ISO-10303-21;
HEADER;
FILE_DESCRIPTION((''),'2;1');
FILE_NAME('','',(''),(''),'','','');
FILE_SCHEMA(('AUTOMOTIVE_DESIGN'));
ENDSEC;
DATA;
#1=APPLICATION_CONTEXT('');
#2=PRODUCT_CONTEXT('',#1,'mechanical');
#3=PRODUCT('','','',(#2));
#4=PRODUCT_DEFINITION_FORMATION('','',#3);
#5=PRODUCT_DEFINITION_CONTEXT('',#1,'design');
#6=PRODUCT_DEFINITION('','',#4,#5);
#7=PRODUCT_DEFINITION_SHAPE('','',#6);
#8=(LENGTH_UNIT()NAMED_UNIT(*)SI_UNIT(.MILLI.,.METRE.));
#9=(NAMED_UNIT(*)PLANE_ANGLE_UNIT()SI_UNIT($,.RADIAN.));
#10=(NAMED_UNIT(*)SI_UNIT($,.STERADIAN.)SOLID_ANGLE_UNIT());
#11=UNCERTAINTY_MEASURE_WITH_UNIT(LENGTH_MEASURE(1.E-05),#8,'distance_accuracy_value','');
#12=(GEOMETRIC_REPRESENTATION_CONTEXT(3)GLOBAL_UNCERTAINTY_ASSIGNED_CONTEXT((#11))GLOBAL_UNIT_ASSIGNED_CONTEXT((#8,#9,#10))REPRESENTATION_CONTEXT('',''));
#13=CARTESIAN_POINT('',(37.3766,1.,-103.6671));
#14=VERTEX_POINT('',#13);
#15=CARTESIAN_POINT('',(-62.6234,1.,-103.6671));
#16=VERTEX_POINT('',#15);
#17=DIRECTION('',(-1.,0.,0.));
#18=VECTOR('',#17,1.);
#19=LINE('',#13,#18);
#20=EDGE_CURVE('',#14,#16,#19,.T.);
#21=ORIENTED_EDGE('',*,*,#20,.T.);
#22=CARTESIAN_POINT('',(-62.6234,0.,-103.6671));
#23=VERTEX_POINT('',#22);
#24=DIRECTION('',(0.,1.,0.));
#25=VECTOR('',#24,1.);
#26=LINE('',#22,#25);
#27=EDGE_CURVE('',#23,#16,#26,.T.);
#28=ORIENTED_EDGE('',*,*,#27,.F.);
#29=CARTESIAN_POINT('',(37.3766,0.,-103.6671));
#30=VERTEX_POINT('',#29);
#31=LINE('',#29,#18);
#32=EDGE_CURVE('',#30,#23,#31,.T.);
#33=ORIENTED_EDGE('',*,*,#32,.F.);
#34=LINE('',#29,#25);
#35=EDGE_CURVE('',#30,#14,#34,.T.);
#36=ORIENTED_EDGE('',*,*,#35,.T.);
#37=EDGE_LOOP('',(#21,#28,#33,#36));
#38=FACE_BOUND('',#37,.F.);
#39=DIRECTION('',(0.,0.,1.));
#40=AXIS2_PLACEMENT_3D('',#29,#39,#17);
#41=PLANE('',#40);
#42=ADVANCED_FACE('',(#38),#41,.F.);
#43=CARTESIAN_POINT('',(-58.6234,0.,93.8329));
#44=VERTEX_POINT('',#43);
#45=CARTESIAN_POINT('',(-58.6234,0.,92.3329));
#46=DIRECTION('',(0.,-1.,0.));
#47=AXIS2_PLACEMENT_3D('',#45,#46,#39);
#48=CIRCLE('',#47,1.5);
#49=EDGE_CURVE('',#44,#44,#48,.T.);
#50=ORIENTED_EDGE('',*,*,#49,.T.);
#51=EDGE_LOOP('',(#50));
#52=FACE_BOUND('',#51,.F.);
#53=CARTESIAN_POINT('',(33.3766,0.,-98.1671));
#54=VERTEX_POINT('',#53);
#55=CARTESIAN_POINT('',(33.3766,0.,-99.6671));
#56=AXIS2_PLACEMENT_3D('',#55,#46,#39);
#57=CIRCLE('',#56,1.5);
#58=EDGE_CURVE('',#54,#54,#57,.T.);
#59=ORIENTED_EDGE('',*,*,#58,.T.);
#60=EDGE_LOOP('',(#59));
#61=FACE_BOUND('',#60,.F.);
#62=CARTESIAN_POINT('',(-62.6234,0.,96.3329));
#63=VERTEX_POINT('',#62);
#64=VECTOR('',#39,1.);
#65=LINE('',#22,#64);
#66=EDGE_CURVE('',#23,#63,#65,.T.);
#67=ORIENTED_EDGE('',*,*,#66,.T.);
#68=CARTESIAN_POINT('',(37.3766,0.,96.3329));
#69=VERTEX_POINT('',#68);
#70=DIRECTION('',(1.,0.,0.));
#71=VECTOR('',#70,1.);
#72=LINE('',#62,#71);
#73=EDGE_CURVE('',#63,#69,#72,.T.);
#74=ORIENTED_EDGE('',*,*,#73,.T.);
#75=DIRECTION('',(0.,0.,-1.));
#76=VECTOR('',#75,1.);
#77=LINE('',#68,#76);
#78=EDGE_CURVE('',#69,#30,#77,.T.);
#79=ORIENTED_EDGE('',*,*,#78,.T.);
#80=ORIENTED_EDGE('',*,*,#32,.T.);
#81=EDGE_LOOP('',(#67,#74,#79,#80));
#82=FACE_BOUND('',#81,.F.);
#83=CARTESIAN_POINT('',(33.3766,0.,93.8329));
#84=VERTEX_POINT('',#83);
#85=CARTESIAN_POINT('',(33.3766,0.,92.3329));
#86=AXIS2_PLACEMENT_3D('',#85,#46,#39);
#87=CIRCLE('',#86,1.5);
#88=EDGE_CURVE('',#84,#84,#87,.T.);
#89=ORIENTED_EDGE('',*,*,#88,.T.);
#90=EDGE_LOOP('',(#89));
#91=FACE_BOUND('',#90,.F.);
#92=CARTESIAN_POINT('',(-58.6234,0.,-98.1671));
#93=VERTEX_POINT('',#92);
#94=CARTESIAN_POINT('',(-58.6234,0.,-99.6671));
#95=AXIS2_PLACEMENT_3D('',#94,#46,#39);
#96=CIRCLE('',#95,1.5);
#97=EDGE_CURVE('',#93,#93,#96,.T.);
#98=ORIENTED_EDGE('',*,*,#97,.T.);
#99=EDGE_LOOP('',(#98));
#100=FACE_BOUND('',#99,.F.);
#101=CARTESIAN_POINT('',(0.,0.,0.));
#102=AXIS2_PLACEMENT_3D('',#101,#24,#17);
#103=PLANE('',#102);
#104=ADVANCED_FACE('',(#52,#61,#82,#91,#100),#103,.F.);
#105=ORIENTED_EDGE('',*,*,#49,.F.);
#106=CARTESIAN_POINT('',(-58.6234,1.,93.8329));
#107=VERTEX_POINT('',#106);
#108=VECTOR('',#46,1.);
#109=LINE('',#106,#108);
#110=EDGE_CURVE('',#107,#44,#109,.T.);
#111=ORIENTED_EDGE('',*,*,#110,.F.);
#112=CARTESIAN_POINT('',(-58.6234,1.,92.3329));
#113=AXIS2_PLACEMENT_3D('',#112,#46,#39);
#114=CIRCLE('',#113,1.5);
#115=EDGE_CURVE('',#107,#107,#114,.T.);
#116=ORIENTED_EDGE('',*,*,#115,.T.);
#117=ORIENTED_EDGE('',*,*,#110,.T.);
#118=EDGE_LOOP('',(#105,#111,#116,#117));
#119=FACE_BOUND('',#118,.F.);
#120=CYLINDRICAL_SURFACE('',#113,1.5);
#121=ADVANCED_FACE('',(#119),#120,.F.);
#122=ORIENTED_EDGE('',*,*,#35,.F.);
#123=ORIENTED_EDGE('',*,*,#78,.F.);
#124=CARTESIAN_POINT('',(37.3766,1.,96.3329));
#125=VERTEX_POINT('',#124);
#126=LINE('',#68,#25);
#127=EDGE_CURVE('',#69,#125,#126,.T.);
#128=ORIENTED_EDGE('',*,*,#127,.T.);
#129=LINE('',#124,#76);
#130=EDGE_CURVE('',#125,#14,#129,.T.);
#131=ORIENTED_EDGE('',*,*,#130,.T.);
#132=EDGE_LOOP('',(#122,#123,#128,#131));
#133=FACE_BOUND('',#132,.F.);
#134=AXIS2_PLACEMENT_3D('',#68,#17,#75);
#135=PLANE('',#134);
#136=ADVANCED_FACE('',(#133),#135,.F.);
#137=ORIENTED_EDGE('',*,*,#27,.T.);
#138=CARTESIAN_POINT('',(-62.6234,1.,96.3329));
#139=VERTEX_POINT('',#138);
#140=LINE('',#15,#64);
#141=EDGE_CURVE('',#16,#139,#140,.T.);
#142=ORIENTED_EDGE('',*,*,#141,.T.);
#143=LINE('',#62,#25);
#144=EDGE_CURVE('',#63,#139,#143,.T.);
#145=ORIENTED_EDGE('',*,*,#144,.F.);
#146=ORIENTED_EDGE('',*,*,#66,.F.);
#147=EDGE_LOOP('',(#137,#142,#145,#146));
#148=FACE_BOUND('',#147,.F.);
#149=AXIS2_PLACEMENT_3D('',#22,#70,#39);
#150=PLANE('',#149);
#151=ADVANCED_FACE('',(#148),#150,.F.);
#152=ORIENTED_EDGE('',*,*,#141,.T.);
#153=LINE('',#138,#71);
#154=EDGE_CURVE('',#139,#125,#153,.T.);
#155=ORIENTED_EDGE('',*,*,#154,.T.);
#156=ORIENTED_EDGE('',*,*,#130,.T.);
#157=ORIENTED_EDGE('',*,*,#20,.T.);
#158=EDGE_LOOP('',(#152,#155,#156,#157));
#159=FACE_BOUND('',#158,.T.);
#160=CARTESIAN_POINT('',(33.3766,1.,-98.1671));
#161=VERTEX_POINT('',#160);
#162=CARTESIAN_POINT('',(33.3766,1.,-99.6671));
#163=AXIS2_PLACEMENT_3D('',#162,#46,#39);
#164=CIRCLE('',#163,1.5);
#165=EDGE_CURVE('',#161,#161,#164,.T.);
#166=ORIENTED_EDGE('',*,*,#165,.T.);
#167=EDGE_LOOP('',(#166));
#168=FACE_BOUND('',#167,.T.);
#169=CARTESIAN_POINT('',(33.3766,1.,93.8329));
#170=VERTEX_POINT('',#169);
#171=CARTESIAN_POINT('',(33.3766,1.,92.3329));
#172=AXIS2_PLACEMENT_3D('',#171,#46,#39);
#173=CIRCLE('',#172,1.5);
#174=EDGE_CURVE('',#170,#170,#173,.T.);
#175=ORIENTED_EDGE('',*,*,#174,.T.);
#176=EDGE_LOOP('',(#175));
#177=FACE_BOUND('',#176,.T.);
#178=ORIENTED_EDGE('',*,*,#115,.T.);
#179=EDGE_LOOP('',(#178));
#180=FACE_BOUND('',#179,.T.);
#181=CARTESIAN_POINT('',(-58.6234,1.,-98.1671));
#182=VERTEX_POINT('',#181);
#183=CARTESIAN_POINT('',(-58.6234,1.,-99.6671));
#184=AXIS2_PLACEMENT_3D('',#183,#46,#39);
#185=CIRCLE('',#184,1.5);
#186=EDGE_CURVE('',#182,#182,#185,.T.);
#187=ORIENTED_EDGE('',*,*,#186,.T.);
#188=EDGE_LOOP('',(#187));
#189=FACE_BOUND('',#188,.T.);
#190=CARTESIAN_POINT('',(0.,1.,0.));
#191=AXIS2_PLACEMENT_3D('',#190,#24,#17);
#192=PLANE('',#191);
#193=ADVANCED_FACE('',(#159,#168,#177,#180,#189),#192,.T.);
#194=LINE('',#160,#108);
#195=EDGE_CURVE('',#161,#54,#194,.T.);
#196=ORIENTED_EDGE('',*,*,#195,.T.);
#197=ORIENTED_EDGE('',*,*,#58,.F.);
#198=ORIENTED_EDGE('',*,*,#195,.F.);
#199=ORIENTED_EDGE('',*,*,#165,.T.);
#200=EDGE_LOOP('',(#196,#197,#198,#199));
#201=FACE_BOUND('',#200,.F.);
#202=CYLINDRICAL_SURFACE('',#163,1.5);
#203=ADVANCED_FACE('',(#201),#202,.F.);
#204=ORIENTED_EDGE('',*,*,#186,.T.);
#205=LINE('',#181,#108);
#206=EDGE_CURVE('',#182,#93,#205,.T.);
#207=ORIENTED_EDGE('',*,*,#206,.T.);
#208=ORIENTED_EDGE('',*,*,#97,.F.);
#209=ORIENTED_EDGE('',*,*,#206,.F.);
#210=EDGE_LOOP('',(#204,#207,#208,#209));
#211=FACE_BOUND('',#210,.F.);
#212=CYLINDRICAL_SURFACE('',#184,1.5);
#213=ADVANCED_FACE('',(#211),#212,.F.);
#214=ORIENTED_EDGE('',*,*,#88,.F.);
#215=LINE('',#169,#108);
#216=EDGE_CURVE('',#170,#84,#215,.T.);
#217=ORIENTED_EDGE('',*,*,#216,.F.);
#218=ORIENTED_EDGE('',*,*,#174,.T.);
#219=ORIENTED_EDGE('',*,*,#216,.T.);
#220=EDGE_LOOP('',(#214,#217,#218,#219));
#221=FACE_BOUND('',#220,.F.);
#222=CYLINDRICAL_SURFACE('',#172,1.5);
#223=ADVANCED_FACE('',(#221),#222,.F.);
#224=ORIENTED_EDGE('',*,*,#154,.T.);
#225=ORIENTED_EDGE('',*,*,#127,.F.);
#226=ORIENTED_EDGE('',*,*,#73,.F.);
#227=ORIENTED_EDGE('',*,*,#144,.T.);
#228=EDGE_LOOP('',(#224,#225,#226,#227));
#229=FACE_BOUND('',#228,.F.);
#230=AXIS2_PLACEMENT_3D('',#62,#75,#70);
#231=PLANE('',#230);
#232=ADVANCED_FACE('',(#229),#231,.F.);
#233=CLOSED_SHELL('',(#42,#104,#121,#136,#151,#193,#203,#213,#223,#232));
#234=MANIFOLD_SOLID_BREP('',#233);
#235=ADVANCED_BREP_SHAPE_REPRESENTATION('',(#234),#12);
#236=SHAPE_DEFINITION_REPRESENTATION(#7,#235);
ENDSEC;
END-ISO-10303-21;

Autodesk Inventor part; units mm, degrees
ref_plane "YZ Plane" through (0, 0, 0) normal (1, 0, 0) x (0, 1, 0)
ref_plane "XZ Plane" through (0, 0, 0) normal (0, 1, 0) x (-1, 0, 0)
ref_plane "XY Plane" through (0, 0, 0) normal (0, 0, 1) x (1, 0, 0)
sketch "Sketch1" plane through (0, 0, 0) normal (0, 1, 0) x (-1, 0, 0)
  line L0 (62.6234, 96.3329) -> (-37.3766, 96.3329)
  line L1 (-37.3766, 96.3329) -> (-37.3766, -103.6671)
  line L2 (-37.3766, -103.6671) -> (62.6234, -103.6671)
  line L3 (62.6234, -103.6671) -> (62.6234, 96.3329)
  point P0 (0, 0)
  dimension "d0" = 200
  dimension "d1" = 100
extrude "Extrusion1" add sketch "Sketch1" along normal blind 1
sketch "Sketch2" plane through (0, 1, 0) normal (0, 1, 0) x (1, 0, 0)
  line L0 (-62.6234, 103.6671) -> (-62.6234, -96.3329) projected
  line L1 (37.3766, -96.3329) -> (37.3766, 103.6671) projected
  line L2 (-62.6234, -96.3329) -> (37.3766, -96.3329) projected
  line L3 (37.3766, 103.6671) -> (-62.6234, 103.6671) projected
  point P0 (0, 0)
  point P1 (-58.6234, -92.3329)
  point P2 (33.3766, -92.3329)
  point P3 (33.3766, 99.6671)
  point P4 (-58.6234, 99.6671)
  dimension "d4" = 0
  dimension "d5" = 0
  dimension "d6" = 0
  dimension "d7" = 0
  dimension "d8" = 4
  dimension "d9" = 4
  dimension "d10" = 4
  dimension "d11" = 4
hole "Hole1" at (-58.6234, 1, 92.3329) at (33.3766, 1, 92.3329) at (33.3766, 1, -99.6671) at (-58.6234, 1, -99.6671) direction (0, -1, 0) diameter 3 depth 25.4 tip angle 118.188
equation "\"d1\" = 2 * BoardWidth + BoardGap"
equation "\"d2\" = BoardHeight"
equation "\"d8\" = ScrewHoleOffset"
equation "\"d9\" = ScrewHoleOffset"
equation "\"d10\" = ScrewHoleOffset"
equation "\"d11\" = ScrewHoleOffset"
equation "\"d12\" = ScrewSize"
equation "\"BoardLength\" = 556"
equation "\"BoardWidth\" = 48"
equation "\"ScrewSize\" = 3"
equation "\"ScrewHoleOffset\" = 4"
equation "\"BoardGap\" = 4"
equation "\"BoardHeight\" = 1"
equation "\"BaseWidth\" = 556"
equation "\"HorizOffsetBetweenScrews\" = 192"
equation "\"BaseLength\" = 648"
equation "\"TwoBoardWidth\" = 444"
equation "\"NumberOfGaps\" = 228.6"
equation "\"NumberOfRows\" = 254"
properties part number "PRT1001-211 2U Board"
